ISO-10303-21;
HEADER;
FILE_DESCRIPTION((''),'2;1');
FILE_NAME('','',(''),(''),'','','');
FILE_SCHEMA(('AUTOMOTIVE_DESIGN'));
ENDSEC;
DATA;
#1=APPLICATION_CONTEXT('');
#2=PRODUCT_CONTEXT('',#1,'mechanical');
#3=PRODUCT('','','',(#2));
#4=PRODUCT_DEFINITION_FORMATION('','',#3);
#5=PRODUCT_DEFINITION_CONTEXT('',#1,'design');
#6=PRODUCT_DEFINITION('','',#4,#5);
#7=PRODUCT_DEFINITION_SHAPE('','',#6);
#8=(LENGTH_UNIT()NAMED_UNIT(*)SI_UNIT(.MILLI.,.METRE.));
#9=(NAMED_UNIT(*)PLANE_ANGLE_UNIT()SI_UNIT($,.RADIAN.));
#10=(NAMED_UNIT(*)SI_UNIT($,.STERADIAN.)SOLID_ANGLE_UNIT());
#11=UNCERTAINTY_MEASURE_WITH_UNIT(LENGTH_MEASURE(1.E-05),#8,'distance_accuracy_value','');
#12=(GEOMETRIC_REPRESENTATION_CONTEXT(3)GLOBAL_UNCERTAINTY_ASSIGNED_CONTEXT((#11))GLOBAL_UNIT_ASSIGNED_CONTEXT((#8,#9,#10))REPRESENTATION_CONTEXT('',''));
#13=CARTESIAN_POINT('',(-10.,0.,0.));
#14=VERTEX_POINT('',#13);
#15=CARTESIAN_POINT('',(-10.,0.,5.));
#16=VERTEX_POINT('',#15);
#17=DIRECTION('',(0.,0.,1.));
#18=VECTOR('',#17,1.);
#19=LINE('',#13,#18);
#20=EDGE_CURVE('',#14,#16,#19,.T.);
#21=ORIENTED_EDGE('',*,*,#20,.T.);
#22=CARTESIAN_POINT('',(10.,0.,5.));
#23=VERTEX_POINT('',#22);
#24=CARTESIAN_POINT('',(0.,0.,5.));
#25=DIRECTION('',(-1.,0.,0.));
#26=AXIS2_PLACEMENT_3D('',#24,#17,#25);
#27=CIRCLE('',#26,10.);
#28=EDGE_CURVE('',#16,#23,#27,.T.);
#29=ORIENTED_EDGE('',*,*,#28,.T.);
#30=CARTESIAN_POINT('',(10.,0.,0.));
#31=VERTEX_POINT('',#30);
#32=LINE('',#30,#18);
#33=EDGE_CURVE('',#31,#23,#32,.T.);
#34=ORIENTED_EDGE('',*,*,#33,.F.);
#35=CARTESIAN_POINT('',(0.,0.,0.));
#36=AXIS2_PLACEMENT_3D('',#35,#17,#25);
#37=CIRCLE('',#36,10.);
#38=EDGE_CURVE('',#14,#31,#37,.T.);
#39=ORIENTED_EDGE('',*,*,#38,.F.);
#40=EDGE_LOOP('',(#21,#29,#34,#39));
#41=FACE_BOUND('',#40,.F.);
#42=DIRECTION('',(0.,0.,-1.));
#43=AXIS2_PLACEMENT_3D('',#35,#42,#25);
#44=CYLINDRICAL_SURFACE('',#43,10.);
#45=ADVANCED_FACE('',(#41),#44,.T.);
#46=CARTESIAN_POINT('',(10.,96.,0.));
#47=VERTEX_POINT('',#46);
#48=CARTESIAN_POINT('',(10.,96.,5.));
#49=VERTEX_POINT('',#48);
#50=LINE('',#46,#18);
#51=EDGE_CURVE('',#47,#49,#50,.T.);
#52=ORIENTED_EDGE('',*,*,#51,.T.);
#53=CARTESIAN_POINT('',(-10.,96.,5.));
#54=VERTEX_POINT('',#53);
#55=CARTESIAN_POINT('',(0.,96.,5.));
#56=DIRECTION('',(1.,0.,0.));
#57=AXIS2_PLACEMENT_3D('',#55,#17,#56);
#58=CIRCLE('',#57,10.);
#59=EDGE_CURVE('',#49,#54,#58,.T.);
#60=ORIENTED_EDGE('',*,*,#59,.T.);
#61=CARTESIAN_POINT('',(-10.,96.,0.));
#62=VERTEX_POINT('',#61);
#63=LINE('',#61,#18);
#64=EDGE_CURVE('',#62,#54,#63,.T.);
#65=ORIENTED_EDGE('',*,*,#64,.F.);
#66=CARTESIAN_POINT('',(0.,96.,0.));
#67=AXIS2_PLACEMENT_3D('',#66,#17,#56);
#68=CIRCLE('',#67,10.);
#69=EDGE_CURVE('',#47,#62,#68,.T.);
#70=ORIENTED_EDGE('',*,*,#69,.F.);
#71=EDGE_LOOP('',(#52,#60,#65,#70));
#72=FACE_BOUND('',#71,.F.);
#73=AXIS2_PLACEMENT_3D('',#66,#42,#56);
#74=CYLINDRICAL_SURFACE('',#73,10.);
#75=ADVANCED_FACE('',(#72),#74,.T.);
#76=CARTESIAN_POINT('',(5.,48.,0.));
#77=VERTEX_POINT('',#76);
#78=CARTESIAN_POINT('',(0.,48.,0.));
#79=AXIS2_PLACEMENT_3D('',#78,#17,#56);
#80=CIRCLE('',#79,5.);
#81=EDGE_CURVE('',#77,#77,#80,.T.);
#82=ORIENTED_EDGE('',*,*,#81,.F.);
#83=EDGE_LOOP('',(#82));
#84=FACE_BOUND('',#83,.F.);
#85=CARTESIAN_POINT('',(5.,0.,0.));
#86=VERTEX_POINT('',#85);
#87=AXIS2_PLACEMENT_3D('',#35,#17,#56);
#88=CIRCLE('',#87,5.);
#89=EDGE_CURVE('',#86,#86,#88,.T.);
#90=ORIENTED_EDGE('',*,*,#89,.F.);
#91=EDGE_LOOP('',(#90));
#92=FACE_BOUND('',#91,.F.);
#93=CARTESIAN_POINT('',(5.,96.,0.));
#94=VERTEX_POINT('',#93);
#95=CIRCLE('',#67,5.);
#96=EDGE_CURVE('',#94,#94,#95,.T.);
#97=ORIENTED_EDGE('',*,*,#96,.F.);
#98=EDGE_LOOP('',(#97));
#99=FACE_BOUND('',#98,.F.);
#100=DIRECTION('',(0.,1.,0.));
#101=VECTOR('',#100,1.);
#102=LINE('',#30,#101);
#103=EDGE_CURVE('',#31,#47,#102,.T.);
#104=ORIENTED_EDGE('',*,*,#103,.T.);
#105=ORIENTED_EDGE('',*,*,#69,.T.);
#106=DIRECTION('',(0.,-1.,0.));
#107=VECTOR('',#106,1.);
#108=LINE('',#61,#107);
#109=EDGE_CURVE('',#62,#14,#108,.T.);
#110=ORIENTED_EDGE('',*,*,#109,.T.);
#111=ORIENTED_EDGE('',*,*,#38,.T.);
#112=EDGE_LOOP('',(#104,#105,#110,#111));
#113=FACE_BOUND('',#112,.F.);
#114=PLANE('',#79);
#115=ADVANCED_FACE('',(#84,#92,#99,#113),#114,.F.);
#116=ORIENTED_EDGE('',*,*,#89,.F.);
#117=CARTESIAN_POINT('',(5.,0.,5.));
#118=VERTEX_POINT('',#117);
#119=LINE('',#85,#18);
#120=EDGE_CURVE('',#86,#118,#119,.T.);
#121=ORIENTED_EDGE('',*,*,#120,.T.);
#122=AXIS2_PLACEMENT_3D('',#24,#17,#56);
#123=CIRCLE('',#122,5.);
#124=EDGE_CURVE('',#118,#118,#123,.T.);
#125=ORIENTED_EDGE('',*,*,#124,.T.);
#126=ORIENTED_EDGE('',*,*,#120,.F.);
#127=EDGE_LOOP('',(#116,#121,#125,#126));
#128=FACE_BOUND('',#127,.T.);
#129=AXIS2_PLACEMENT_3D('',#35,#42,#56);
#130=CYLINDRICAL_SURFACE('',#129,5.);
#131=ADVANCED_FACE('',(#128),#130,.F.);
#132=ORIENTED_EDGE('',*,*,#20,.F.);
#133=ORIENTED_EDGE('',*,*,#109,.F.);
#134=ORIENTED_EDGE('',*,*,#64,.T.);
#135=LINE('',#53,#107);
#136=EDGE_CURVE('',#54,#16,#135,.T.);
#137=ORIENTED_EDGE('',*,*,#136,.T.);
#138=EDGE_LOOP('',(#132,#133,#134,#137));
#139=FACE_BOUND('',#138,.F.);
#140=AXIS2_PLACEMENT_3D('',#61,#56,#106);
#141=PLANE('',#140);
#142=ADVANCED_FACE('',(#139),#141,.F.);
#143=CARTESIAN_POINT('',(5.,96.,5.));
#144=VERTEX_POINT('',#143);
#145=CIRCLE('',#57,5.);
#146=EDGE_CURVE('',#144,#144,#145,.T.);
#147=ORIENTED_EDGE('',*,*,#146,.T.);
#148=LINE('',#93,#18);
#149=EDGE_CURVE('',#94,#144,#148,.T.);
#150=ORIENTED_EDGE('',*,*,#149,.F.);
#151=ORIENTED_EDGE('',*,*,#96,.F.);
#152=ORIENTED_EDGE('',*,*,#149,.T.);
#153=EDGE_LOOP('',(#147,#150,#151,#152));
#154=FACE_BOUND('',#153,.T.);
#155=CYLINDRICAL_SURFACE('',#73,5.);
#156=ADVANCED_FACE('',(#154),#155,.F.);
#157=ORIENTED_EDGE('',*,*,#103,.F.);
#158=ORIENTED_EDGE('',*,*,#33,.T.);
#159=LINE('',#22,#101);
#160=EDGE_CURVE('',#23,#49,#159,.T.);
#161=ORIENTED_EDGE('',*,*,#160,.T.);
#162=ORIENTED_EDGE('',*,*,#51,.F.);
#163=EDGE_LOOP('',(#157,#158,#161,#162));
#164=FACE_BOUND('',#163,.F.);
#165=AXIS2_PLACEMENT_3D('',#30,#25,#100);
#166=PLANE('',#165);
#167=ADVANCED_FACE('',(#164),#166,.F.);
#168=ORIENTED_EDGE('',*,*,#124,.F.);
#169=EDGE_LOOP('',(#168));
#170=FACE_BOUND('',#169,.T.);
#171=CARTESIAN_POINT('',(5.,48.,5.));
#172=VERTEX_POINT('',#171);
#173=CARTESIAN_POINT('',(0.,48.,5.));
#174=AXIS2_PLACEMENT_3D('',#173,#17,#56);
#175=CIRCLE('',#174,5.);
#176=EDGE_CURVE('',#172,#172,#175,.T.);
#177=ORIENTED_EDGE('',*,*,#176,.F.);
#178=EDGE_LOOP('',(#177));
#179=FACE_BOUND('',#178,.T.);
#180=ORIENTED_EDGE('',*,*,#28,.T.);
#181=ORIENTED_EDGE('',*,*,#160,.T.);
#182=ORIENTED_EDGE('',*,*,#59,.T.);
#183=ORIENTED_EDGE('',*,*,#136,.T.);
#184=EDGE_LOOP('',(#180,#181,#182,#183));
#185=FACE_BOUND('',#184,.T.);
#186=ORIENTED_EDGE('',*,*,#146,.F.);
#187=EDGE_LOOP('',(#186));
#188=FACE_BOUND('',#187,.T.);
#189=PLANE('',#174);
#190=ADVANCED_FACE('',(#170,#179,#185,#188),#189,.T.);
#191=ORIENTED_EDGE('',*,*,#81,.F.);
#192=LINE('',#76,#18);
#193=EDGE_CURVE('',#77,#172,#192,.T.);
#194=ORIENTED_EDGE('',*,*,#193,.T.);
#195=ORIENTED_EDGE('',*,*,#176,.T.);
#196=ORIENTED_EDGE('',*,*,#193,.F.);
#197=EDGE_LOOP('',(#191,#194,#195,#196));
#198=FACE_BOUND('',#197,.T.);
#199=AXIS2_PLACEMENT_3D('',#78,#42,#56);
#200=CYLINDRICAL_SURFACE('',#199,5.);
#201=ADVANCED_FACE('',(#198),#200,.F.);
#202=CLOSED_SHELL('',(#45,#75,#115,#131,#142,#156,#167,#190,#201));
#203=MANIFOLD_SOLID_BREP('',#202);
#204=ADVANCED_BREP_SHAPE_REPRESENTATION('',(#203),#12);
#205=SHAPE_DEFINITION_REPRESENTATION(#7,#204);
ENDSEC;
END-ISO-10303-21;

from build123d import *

# Parameters (mm, degrees)
F0_R     = 5
F1_DEPTH = 5


with BuildPart() as f1:
    # F0 (on Top) → F1 (new body)
    with BuildSketch(Plane.XY):
        with BuildLine():
            Line((-10, 96), (-10, 0))
            ThreePointArc((-10, 0), (0, -10), (10, 0))
            Line((10, 0), (10, 96))
            ThreePointArc((10, 96), (0, 106), (-10, 96))
        make_face()
        Circle(F0_R, mode=Mode.SUBTRACT)
        with Locations((0, 48)):
            Circle(F0_R, mode=Mode.SUBTRACT)
        with Locations((0, 96)):
            Circle(F0_R, mode=Mode.SUBTRACT)
    extrude(amount=F1_DEPTH)


solid = f1.part
